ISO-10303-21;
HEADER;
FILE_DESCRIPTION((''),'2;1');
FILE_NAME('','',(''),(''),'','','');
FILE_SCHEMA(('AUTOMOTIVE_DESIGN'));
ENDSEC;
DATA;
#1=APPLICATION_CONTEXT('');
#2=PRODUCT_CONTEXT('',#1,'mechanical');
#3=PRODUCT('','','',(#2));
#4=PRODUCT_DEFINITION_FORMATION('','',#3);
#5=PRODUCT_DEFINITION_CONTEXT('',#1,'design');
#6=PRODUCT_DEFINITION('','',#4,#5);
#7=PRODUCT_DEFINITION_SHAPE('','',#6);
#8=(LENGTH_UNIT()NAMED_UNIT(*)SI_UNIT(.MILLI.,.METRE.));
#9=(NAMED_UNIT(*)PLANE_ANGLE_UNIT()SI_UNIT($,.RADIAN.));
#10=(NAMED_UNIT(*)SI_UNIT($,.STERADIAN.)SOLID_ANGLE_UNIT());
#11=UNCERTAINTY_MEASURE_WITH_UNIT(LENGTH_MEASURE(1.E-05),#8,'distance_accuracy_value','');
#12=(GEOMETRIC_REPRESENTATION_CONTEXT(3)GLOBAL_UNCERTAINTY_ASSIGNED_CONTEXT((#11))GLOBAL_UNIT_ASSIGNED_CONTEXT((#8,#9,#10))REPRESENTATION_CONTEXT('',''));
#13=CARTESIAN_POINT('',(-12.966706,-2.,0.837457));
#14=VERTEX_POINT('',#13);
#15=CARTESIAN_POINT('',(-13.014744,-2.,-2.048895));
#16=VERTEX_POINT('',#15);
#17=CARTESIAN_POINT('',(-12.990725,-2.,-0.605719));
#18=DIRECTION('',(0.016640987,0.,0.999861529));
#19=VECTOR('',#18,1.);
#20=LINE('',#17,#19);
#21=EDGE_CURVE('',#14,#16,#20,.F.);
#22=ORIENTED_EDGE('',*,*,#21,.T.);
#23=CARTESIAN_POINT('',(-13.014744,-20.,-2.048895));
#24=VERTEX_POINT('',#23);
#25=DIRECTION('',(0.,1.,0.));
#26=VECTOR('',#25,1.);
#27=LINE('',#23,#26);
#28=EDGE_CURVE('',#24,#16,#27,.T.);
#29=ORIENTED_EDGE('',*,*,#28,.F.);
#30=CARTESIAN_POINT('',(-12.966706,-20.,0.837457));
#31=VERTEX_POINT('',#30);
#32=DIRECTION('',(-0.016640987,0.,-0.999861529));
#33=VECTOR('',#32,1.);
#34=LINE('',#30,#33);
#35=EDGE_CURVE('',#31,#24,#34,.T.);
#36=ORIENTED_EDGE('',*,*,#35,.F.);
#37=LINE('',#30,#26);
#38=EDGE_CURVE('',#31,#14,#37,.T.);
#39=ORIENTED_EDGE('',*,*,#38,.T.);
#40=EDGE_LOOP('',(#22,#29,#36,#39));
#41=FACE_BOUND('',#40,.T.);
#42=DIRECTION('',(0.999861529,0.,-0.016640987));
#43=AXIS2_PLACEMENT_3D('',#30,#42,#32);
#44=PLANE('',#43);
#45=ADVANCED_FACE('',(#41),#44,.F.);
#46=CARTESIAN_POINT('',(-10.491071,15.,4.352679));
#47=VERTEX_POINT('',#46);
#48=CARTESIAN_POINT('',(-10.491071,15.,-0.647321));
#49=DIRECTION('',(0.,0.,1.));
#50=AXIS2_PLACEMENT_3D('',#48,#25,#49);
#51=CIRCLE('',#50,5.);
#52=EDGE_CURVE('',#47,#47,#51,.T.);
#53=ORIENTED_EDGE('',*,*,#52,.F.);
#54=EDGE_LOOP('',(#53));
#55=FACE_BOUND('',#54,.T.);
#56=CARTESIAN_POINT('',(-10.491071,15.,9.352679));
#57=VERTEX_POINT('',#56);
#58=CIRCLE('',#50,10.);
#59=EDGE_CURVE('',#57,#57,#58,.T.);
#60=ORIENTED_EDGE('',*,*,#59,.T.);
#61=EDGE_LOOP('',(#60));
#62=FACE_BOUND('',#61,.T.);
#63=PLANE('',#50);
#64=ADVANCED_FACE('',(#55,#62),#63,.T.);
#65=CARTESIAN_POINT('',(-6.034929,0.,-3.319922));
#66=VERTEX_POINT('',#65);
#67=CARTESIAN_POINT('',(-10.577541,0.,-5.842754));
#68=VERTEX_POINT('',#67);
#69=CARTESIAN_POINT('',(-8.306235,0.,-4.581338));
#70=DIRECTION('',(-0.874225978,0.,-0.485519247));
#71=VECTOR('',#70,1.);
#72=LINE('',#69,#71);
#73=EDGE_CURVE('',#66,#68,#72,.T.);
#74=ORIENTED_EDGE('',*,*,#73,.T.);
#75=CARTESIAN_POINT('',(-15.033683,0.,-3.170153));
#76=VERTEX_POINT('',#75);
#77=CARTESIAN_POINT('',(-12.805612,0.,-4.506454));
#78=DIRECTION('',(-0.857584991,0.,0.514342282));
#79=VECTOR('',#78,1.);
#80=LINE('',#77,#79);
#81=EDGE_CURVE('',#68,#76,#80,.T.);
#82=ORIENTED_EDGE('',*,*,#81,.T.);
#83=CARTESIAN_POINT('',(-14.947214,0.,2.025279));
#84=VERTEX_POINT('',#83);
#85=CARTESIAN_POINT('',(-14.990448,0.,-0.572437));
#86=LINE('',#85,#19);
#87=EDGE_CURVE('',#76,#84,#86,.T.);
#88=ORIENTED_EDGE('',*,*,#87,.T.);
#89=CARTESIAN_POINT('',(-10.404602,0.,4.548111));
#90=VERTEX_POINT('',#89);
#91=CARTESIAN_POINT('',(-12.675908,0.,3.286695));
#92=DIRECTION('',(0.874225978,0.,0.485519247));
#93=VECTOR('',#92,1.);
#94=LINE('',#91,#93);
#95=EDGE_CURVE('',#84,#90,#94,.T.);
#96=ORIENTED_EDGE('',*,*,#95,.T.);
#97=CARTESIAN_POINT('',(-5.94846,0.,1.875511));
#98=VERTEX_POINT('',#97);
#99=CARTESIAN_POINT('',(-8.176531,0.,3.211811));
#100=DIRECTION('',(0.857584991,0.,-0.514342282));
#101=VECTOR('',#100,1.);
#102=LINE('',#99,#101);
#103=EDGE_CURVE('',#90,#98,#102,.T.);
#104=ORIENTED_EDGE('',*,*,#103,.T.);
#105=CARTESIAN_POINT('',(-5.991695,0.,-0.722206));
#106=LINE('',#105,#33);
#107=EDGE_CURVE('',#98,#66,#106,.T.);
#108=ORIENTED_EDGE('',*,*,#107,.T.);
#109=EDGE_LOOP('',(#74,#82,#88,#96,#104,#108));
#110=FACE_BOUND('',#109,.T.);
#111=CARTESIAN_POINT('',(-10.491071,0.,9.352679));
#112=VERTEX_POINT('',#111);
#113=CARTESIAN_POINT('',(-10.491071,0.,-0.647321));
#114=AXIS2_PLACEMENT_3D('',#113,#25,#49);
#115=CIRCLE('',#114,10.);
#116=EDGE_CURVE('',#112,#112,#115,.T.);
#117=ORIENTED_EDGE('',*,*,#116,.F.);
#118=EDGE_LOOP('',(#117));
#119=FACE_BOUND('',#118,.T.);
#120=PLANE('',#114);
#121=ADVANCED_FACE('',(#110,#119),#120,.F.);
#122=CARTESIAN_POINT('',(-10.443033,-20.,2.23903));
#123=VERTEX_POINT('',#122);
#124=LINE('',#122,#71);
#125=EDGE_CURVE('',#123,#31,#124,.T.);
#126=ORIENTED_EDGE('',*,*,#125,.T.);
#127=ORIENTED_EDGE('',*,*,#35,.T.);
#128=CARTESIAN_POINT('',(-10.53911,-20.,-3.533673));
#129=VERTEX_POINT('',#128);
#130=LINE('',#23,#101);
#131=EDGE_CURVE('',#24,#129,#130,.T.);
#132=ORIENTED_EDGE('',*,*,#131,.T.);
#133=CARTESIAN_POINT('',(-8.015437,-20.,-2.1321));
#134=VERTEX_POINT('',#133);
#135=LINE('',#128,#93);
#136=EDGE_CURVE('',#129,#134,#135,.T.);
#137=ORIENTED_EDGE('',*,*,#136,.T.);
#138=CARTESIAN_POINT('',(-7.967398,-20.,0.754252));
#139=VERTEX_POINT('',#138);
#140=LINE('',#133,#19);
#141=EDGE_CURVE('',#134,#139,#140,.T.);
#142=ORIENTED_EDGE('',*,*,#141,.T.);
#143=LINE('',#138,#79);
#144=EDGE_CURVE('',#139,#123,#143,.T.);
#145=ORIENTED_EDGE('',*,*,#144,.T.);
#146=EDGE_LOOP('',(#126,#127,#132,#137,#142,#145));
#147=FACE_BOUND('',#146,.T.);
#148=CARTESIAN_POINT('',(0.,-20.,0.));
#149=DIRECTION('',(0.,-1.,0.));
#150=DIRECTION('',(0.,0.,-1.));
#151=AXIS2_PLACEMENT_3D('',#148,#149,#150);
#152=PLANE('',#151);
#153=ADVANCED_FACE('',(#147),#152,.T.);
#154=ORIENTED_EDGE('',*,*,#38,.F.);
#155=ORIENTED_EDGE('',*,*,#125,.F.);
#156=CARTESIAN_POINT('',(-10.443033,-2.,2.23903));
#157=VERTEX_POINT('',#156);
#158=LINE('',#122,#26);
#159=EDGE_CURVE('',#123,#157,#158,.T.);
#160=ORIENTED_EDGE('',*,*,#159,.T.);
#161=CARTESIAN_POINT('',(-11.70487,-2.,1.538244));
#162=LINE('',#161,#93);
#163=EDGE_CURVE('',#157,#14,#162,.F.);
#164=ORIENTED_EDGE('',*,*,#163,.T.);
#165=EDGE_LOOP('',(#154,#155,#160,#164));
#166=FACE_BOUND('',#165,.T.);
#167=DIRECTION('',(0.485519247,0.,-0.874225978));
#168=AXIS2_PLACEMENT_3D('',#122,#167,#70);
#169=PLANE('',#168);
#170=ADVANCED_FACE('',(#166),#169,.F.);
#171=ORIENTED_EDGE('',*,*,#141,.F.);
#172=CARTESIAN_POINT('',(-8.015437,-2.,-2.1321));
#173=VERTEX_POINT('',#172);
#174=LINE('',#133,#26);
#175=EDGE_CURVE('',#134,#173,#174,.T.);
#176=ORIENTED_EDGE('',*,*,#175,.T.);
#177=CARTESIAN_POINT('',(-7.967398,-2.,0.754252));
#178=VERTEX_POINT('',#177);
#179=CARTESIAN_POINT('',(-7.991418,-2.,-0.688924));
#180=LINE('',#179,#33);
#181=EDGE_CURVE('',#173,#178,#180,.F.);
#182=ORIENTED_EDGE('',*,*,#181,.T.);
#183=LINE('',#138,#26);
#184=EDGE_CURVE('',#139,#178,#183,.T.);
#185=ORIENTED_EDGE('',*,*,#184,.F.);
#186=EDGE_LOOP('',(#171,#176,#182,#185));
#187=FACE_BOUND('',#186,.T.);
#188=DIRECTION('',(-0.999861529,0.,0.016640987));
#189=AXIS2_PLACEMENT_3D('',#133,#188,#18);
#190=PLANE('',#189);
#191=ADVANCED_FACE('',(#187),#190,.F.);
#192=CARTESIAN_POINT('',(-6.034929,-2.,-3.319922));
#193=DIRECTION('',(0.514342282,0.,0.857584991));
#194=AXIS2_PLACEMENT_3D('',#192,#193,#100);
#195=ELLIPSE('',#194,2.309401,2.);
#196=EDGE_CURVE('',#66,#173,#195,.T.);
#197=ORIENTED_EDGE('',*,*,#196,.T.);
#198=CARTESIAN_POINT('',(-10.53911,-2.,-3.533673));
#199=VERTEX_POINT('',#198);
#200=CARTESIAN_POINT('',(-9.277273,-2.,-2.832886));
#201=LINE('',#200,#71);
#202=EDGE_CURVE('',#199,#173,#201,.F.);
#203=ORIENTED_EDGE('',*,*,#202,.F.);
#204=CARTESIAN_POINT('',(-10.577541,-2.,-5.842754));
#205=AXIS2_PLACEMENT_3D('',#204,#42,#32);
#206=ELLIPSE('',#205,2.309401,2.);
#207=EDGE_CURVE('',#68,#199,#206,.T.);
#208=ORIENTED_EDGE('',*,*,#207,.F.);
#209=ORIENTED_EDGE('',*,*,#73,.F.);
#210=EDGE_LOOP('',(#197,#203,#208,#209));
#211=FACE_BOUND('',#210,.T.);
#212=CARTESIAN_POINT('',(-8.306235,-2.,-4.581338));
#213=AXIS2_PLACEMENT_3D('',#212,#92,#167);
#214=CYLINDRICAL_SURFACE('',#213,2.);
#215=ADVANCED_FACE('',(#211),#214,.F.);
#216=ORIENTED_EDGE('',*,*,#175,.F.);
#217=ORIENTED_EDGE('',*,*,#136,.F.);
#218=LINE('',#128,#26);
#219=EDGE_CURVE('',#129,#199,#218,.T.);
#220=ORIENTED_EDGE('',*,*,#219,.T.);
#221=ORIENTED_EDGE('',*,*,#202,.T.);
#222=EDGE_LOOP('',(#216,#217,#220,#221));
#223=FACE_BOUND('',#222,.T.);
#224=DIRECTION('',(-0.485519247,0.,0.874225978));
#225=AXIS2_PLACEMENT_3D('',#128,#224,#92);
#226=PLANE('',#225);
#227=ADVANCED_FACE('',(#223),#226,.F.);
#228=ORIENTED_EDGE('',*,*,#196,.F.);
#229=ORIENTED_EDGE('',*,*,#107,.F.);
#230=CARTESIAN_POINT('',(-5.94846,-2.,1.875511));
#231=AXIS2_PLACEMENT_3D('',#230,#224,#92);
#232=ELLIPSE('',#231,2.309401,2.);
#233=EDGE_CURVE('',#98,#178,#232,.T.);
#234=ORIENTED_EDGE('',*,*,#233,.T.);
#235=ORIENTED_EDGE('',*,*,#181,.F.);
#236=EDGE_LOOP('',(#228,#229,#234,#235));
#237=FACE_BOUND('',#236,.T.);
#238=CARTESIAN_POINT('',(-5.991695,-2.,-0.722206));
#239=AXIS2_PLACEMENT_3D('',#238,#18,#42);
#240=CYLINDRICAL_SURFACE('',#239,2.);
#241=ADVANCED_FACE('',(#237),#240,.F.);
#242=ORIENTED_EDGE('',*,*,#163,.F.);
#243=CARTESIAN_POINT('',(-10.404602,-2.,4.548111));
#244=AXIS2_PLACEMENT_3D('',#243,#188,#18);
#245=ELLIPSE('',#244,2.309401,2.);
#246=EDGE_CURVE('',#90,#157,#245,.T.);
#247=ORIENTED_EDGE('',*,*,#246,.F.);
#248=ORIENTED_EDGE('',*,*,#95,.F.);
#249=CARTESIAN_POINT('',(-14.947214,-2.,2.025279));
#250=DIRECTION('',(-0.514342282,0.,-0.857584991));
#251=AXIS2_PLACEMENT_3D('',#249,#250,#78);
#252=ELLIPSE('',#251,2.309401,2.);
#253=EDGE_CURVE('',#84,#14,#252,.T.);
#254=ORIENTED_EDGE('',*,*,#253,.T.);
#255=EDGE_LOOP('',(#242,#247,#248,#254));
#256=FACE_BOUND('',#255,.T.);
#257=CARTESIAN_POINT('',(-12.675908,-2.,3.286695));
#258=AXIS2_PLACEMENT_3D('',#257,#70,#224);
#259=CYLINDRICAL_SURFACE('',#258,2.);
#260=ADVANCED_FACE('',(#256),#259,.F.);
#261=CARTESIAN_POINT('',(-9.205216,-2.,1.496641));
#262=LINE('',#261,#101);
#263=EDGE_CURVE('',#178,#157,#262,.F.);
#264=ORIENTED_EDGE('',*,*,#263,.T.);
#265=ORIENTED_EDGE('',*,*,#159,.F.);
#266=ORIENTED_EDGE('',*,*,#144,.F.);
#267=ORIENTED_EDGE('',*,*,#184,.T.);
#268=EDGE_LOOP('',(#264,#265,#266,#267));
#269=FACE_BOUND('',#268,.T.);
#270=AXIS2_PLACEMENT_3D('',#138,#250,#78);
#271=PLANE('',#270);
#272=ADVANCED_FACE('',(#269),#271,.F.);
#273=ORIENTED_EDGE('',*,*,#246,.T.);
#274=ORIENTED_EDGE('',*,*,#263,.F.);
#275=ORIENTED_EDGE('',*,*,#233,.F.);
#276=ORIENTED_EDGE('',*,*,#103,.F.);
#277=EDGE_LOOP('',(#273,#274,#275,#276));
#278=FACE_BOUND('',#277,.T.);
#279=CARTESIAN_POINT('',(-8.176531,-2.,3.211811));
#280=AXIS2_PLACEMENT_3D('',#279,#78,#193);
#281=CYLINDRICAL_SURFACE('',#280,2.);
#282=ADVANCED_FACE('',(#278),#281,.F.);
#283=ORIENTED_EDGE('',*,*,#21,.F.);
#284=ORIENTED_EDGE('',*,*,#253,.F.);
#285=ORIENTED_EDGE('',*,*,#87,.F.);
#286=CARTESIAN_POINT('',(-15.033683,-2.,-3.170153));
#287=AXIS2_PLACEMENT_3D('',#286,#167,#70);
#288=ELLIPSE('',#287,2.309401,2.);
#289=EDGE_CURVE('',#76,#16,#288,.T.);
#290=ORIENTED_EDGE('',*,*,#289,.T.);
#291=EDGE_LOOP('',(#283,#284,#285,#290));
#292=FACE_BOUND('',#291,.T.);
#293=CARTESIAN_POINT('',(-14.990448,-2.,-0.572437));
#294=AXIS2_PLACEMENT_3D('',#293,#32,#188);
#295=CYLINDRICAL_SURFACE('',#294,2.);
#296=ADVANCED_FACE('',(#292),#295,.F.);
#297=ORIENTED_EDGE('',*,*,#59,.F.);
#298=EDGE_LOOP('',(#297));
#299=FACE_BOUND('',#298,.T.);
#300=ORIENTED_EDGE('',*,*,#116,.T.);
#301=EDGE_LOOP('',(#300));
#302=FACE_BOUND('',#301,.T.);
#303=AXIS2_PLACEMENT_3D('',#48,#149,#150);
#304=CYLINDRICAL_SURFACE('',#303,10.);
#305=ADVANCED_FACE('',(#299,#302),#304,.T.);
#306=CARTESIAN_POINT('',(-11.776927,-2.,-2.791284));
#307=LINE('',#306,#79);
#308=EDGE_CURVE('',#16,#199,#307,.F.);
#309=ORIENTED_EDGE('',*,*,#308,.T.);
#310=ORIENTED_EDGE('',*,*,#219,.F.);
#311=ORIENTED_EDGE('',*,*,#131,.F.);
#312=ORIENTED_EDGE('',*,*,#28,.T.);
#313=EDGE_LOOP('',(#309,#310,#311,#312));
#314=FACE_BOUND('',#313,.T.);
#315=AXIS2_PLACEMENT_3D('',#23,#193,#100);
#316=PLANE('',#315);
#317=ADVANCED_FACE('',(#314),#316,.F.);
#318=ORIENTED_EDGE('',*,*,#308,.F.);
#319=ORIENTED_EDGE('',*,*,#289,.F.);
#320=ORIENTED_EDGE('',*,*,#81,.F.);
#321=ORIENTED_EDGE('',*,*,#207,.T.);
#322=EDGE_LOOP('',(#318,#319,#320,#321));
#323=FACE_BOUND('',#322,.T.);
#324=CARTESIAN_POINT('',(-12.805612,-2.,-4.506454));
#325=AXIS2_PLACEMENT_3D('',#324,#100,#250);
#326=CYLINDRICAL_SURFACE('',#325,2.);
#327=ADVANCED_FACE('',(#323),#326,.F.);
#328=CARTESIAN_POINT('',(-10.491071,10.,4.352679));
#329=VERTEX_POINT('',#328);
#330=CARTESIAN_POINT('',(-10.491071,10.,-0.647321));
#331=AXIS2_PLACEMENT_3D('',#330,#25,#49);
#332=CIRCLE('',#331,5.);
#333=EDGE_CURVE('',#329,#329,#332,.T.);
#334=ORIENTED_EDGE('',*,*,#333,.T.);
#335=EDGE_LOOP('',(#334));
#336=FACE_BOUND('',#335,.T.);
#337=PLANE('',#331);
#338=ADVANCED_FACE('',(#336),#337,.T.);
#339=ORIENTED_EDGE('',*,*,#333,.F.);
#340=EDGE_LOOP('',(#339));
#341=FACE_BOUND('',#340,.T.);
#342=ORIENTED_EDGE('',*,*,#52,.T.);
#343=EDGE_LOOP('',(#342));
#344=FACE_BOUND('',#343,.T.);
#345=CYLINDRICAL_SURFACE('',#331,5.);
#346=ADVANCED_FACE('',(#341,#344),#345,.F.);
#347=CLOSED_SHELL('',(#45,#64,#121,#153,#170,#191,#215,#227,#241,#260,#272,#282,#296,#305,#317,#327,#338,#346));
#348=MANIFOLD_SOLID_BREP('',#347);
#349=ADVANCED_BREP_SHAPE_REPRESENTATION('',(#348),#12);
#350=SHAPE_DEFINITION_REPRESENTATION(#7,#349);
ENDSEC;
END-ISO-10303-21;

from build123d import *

# Parameters (mm, degrees)
SKETCH1_R           = 10
BOSS_EXTRUDE1_DEPTH = 15
SKETCH2_R           = 5
CUT_EXTRUDE1_DEPTH  = 5
BOSS_EXTRUDE2_DEPTH = 20
FILLET2_R           = 2


with BuildPart() as part:
    # Sketch1 → Boss-Extrude1 (new body)
    with BuildSketch(Plane(origin=(0, 0, 0), x_dir=(1, 0, 0), z_dir=(0, 1, 0))):
        with Locations(Location((-10.491071429, 0.647321429, 0), (0, 0, 270))):
            Circle(SKETCH1_R)
    extrude(amount=BOSS_EXTRUDE1_DEPTH)

    # Sketch2 → Cut-Extrude1 (cut)
    with BuildSketch(Plane(origin=(0, 15, 0), x_dir=(1, 0, 0), z_dir=(0, 1, 0))):
        with Locations(Location((-10.491071429, 0.647321429, 0), (0, 0, 270))):
            Circle(SKETCH2_R)
    extrude(amount=-CUT_EXTRUDE1_DEPTH, mode=Mode.SUBTRACT)

    # Sketch3 → Boss-Extrude2 (add)
    with BuildSketch(Plane(origin=(0, 0, 0), x_dir=(-1, 0, 0), z_dir=(0, -1, 0))):
        Polygon((8.015436801, 2.132099703), (7.96739841, -0.754251912), (10.443033038, -2.239030187), (12.966706056, -0.837456846), (13.014744447, 2.04889477), (10.539109819, 3.533673044), align=None)
    extrude(amount=BOSS_EXTRUDE2_DEPTH)

    # Fillet2
    fillet2_edges = [part.edges().sort_by_distance(p)[0] for p in [
        (-9.27727331, 0, -2.832886373),
        (-7.991417606, 0, -0.688923895),
        (-9.205215724, 0, 1.496641049),
        (-11.704869547, 0, 1.538243516),
        (-12.990725252, 0, -0.605718962),
        (-11.776927133, 0, -2.791283907),
    ]]
    fillet(fillet2_edges, radius=FILLET2_R)


solid = part.part
